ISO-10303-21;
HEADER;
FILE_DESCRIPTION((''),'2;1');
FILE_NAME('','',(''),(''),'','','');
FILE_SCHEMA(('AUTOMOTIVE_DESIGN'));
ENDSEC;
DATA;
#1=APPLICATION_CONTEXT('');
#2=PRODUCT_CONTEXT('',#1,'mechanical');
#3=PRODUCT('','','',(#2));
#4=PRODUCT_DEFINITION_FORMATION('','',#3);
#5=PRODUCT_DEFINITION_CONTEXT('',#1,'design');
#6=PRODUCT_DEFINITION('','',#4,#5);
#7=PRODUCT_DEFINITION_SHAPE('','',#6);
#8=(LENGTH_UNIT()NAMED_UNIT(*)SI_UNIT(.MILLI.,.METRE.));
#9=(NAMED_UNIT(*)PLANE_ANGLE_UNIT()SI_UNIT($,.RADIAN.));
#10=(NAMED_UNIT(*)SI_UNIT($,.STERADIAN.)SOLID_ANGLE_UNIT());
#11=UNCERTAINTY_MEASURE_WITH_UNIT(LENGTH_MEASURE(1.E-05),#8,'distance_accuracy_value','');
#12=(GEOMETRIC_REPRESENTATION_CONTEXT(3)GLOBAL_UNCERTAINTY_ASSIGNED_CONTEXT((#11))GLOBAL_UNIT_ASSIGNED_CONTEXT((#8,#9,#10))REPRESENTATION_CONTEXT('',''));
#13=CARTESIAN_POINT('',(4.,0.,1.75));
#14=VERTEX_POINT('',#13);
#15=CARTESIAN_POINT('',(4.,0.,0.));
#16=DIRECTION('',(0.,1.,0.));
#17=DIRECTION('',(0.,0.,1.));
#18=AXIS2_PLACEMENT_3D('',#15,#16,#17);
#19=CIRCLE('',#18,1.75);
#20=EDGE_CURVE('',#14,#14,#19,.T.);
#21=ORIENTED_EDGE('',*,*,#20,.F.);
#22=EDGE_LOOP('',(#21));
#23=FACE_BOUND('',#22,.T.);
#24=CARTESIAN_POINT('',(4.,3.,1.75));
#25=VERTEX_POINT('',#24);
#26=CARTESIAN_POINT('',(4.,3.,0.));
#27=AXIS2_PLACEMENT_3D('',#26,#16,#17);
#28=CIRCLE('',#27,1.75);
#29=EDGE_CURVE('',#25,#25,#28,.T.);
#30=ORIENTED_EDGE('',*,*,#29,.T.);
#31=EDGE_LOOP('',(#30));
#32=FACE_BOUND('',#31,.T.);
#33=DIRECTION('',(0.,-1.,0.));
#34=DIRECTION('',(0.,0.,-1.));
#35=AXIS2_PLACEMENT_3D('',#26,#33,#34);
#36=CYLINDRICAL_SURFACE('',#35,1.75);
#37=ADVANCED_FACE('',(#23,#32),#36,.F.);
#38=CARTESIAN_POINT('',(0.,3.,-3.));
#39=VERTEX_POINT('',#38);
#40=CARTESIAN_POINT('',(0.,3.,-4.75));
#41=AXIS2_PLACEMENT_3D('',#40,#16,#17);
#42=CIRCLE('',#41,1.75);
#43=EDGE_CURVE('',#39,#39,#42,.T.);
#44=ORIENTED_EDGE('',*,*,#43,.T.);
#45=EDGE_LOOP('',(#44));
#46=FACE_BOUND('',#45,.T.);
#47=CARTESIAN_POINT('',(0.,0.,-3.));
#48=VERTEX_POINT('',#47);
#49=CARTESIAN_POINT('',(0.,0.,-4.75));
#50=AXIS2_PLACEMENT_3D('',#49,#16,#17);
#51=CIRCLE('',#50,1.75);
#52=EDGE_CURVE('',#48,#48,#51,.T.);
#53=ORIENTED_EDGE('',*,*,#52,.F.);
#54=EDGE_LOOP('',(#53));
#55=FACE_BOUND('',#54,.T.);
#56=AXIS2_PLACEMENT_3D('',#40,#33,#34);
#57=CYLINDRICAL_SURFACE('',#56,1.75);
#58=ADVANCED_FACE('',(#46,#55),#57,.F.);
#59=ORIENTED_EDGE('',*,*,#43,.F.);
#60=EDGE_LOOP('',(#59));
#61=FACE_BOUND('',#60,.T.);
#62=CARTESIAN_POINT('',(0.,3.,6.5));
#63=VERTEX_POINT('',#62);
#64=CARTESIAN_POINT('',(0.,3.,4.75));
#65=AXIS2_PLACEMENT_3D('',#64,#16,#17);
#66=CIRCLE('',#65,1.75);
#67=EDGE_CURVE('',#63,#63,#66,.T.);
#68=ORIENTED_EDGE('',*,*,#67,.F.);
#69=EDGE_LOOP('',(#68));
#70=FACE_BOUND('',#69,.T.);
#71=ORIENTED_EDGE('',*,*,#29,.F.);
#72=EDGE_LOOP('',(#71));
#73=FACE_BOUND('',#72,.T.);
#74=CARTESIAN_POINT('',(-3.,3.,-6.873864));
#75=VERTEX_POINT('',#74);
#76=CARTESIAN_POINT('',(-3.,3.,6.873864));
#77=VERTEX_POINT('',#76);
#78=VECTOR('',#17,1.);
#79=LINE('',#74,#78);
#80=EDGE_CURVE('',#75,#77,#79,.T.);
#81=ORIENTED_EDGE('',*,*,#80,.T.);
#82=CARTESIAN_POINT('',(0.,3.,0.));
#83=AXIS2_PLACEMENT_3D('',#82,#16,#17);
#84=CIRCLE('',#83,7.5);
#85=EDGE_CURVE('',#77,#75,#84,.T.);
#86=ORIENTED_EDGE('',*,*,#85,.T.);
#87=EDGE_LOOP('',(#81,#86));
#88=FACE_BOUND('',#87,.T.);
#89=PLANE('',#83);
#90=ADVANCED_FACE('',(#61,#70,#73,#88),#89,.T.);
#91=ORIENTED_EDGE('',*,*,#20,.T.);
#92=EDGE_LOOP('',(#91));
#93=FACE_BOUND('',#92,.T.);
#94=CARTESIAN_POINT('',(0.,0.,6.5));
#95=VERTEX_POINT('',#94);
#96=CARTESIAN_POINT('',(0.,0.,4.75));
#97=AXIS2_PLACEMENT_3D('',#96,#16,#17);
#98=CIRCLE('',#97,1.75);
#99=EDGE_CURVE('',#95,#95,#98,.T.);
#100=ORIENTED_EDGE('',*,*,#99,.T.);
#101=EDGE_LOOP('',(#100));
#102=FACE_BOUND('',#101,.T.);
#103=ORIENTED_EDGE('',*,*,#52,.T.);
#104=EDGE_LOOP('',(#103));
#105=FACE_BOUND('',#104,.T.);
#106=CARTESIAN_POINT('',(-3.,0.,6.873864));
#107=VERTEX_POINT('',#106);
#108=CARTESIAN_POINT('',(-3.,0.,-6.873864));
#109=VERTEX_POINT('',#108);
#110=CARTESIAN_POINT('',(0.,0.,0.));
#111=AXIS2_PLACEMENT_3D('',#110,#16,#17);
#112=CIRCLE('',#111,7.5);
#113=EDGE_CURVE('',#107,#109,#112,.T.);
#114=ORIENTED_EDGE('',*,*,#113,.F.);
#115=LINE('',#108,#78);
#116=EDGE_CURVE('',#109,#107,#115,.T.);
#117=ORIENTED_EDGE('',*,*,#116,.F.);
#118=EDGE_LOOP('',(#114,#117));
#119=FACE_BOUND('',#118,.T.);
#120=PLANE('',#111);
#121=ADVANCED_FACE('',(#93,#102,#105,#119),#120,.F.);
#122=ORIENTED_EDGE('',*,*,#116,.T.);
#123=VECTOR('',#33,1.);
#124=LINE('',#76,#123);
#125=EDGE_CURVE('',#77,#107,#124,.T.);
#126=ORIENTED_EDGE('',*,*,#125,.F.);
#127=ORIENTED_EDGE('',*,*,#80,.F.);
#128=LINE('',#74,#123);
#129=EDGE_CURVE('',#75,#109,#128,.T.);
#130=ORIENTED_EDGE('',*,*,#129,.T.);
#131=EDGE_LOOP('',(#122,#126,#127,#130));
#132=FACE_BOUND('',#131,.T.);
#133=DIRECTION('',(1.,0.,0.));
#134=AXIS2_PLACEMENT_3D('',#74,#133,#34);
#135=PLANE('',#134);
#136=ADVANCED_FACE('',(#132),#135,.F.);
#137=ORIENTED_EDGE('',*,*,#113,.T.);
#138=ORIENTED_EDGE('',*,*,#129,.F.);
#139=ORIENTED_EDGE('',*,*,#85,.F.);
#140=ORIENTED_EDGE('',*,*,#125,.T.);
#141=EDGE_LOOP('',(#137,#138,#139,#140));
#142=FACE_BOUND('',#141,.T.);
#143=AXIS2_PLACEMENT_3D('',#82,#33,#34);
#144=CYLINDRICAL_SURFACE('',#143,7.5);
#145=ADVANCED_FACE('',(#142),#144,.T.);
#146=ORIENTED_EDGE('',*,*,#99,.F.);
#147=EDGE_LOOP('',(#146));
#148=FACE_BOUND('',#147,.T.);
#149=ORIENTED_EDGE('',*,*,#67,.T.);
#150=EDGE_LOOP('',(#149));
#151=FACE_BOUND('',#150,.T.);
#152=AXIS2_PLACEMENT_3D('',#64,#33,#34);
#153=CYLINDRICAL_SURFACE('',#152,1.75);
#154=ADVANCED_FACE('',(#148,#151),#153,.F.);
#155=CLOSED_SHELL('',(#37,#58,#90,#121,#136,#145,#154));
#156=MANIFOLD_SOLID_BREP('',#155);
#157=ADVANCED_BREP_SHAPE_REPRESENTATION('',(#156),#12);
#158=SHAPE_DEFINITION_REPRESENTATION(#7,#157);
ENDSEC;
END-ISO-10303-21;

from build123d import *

# Parameters (mm, degrees)
SKETCH1_R           = 1.75
BOSS_EXTRUDE1_DEPTH = 3


with BuildPart() as part:
    # Sketch1 → Boss-Extrude1 (new body)
    with BuildSketch(Plane(origin=(0, 0, 0), x_dir=(1, 0, 0), z_dir=(0, 1, 0))):
        with BuildLine():
            Line((-3, 6.873863542), (-3, -6.873863542))
            ThreePointArc((-3, -6.873863542), (7.5, 0), (-3, 6.873863542))
        make_face()
        with Locations((0, 4.75)):
            Circle(SKETCH1_R, mode=Mode.SUBTRACT)
        with Locations((0, -4.75)):
            Circle(SKETCH1_R, mode=Mode.SUBTRACT)
        with Locations((4, 0)):
            Circle(SKETCH1_R, mode=Mode.SUBTRACT)
    extrude(amount=BOSS_EXTRUDE1_DEPTH)


solid = part.part
